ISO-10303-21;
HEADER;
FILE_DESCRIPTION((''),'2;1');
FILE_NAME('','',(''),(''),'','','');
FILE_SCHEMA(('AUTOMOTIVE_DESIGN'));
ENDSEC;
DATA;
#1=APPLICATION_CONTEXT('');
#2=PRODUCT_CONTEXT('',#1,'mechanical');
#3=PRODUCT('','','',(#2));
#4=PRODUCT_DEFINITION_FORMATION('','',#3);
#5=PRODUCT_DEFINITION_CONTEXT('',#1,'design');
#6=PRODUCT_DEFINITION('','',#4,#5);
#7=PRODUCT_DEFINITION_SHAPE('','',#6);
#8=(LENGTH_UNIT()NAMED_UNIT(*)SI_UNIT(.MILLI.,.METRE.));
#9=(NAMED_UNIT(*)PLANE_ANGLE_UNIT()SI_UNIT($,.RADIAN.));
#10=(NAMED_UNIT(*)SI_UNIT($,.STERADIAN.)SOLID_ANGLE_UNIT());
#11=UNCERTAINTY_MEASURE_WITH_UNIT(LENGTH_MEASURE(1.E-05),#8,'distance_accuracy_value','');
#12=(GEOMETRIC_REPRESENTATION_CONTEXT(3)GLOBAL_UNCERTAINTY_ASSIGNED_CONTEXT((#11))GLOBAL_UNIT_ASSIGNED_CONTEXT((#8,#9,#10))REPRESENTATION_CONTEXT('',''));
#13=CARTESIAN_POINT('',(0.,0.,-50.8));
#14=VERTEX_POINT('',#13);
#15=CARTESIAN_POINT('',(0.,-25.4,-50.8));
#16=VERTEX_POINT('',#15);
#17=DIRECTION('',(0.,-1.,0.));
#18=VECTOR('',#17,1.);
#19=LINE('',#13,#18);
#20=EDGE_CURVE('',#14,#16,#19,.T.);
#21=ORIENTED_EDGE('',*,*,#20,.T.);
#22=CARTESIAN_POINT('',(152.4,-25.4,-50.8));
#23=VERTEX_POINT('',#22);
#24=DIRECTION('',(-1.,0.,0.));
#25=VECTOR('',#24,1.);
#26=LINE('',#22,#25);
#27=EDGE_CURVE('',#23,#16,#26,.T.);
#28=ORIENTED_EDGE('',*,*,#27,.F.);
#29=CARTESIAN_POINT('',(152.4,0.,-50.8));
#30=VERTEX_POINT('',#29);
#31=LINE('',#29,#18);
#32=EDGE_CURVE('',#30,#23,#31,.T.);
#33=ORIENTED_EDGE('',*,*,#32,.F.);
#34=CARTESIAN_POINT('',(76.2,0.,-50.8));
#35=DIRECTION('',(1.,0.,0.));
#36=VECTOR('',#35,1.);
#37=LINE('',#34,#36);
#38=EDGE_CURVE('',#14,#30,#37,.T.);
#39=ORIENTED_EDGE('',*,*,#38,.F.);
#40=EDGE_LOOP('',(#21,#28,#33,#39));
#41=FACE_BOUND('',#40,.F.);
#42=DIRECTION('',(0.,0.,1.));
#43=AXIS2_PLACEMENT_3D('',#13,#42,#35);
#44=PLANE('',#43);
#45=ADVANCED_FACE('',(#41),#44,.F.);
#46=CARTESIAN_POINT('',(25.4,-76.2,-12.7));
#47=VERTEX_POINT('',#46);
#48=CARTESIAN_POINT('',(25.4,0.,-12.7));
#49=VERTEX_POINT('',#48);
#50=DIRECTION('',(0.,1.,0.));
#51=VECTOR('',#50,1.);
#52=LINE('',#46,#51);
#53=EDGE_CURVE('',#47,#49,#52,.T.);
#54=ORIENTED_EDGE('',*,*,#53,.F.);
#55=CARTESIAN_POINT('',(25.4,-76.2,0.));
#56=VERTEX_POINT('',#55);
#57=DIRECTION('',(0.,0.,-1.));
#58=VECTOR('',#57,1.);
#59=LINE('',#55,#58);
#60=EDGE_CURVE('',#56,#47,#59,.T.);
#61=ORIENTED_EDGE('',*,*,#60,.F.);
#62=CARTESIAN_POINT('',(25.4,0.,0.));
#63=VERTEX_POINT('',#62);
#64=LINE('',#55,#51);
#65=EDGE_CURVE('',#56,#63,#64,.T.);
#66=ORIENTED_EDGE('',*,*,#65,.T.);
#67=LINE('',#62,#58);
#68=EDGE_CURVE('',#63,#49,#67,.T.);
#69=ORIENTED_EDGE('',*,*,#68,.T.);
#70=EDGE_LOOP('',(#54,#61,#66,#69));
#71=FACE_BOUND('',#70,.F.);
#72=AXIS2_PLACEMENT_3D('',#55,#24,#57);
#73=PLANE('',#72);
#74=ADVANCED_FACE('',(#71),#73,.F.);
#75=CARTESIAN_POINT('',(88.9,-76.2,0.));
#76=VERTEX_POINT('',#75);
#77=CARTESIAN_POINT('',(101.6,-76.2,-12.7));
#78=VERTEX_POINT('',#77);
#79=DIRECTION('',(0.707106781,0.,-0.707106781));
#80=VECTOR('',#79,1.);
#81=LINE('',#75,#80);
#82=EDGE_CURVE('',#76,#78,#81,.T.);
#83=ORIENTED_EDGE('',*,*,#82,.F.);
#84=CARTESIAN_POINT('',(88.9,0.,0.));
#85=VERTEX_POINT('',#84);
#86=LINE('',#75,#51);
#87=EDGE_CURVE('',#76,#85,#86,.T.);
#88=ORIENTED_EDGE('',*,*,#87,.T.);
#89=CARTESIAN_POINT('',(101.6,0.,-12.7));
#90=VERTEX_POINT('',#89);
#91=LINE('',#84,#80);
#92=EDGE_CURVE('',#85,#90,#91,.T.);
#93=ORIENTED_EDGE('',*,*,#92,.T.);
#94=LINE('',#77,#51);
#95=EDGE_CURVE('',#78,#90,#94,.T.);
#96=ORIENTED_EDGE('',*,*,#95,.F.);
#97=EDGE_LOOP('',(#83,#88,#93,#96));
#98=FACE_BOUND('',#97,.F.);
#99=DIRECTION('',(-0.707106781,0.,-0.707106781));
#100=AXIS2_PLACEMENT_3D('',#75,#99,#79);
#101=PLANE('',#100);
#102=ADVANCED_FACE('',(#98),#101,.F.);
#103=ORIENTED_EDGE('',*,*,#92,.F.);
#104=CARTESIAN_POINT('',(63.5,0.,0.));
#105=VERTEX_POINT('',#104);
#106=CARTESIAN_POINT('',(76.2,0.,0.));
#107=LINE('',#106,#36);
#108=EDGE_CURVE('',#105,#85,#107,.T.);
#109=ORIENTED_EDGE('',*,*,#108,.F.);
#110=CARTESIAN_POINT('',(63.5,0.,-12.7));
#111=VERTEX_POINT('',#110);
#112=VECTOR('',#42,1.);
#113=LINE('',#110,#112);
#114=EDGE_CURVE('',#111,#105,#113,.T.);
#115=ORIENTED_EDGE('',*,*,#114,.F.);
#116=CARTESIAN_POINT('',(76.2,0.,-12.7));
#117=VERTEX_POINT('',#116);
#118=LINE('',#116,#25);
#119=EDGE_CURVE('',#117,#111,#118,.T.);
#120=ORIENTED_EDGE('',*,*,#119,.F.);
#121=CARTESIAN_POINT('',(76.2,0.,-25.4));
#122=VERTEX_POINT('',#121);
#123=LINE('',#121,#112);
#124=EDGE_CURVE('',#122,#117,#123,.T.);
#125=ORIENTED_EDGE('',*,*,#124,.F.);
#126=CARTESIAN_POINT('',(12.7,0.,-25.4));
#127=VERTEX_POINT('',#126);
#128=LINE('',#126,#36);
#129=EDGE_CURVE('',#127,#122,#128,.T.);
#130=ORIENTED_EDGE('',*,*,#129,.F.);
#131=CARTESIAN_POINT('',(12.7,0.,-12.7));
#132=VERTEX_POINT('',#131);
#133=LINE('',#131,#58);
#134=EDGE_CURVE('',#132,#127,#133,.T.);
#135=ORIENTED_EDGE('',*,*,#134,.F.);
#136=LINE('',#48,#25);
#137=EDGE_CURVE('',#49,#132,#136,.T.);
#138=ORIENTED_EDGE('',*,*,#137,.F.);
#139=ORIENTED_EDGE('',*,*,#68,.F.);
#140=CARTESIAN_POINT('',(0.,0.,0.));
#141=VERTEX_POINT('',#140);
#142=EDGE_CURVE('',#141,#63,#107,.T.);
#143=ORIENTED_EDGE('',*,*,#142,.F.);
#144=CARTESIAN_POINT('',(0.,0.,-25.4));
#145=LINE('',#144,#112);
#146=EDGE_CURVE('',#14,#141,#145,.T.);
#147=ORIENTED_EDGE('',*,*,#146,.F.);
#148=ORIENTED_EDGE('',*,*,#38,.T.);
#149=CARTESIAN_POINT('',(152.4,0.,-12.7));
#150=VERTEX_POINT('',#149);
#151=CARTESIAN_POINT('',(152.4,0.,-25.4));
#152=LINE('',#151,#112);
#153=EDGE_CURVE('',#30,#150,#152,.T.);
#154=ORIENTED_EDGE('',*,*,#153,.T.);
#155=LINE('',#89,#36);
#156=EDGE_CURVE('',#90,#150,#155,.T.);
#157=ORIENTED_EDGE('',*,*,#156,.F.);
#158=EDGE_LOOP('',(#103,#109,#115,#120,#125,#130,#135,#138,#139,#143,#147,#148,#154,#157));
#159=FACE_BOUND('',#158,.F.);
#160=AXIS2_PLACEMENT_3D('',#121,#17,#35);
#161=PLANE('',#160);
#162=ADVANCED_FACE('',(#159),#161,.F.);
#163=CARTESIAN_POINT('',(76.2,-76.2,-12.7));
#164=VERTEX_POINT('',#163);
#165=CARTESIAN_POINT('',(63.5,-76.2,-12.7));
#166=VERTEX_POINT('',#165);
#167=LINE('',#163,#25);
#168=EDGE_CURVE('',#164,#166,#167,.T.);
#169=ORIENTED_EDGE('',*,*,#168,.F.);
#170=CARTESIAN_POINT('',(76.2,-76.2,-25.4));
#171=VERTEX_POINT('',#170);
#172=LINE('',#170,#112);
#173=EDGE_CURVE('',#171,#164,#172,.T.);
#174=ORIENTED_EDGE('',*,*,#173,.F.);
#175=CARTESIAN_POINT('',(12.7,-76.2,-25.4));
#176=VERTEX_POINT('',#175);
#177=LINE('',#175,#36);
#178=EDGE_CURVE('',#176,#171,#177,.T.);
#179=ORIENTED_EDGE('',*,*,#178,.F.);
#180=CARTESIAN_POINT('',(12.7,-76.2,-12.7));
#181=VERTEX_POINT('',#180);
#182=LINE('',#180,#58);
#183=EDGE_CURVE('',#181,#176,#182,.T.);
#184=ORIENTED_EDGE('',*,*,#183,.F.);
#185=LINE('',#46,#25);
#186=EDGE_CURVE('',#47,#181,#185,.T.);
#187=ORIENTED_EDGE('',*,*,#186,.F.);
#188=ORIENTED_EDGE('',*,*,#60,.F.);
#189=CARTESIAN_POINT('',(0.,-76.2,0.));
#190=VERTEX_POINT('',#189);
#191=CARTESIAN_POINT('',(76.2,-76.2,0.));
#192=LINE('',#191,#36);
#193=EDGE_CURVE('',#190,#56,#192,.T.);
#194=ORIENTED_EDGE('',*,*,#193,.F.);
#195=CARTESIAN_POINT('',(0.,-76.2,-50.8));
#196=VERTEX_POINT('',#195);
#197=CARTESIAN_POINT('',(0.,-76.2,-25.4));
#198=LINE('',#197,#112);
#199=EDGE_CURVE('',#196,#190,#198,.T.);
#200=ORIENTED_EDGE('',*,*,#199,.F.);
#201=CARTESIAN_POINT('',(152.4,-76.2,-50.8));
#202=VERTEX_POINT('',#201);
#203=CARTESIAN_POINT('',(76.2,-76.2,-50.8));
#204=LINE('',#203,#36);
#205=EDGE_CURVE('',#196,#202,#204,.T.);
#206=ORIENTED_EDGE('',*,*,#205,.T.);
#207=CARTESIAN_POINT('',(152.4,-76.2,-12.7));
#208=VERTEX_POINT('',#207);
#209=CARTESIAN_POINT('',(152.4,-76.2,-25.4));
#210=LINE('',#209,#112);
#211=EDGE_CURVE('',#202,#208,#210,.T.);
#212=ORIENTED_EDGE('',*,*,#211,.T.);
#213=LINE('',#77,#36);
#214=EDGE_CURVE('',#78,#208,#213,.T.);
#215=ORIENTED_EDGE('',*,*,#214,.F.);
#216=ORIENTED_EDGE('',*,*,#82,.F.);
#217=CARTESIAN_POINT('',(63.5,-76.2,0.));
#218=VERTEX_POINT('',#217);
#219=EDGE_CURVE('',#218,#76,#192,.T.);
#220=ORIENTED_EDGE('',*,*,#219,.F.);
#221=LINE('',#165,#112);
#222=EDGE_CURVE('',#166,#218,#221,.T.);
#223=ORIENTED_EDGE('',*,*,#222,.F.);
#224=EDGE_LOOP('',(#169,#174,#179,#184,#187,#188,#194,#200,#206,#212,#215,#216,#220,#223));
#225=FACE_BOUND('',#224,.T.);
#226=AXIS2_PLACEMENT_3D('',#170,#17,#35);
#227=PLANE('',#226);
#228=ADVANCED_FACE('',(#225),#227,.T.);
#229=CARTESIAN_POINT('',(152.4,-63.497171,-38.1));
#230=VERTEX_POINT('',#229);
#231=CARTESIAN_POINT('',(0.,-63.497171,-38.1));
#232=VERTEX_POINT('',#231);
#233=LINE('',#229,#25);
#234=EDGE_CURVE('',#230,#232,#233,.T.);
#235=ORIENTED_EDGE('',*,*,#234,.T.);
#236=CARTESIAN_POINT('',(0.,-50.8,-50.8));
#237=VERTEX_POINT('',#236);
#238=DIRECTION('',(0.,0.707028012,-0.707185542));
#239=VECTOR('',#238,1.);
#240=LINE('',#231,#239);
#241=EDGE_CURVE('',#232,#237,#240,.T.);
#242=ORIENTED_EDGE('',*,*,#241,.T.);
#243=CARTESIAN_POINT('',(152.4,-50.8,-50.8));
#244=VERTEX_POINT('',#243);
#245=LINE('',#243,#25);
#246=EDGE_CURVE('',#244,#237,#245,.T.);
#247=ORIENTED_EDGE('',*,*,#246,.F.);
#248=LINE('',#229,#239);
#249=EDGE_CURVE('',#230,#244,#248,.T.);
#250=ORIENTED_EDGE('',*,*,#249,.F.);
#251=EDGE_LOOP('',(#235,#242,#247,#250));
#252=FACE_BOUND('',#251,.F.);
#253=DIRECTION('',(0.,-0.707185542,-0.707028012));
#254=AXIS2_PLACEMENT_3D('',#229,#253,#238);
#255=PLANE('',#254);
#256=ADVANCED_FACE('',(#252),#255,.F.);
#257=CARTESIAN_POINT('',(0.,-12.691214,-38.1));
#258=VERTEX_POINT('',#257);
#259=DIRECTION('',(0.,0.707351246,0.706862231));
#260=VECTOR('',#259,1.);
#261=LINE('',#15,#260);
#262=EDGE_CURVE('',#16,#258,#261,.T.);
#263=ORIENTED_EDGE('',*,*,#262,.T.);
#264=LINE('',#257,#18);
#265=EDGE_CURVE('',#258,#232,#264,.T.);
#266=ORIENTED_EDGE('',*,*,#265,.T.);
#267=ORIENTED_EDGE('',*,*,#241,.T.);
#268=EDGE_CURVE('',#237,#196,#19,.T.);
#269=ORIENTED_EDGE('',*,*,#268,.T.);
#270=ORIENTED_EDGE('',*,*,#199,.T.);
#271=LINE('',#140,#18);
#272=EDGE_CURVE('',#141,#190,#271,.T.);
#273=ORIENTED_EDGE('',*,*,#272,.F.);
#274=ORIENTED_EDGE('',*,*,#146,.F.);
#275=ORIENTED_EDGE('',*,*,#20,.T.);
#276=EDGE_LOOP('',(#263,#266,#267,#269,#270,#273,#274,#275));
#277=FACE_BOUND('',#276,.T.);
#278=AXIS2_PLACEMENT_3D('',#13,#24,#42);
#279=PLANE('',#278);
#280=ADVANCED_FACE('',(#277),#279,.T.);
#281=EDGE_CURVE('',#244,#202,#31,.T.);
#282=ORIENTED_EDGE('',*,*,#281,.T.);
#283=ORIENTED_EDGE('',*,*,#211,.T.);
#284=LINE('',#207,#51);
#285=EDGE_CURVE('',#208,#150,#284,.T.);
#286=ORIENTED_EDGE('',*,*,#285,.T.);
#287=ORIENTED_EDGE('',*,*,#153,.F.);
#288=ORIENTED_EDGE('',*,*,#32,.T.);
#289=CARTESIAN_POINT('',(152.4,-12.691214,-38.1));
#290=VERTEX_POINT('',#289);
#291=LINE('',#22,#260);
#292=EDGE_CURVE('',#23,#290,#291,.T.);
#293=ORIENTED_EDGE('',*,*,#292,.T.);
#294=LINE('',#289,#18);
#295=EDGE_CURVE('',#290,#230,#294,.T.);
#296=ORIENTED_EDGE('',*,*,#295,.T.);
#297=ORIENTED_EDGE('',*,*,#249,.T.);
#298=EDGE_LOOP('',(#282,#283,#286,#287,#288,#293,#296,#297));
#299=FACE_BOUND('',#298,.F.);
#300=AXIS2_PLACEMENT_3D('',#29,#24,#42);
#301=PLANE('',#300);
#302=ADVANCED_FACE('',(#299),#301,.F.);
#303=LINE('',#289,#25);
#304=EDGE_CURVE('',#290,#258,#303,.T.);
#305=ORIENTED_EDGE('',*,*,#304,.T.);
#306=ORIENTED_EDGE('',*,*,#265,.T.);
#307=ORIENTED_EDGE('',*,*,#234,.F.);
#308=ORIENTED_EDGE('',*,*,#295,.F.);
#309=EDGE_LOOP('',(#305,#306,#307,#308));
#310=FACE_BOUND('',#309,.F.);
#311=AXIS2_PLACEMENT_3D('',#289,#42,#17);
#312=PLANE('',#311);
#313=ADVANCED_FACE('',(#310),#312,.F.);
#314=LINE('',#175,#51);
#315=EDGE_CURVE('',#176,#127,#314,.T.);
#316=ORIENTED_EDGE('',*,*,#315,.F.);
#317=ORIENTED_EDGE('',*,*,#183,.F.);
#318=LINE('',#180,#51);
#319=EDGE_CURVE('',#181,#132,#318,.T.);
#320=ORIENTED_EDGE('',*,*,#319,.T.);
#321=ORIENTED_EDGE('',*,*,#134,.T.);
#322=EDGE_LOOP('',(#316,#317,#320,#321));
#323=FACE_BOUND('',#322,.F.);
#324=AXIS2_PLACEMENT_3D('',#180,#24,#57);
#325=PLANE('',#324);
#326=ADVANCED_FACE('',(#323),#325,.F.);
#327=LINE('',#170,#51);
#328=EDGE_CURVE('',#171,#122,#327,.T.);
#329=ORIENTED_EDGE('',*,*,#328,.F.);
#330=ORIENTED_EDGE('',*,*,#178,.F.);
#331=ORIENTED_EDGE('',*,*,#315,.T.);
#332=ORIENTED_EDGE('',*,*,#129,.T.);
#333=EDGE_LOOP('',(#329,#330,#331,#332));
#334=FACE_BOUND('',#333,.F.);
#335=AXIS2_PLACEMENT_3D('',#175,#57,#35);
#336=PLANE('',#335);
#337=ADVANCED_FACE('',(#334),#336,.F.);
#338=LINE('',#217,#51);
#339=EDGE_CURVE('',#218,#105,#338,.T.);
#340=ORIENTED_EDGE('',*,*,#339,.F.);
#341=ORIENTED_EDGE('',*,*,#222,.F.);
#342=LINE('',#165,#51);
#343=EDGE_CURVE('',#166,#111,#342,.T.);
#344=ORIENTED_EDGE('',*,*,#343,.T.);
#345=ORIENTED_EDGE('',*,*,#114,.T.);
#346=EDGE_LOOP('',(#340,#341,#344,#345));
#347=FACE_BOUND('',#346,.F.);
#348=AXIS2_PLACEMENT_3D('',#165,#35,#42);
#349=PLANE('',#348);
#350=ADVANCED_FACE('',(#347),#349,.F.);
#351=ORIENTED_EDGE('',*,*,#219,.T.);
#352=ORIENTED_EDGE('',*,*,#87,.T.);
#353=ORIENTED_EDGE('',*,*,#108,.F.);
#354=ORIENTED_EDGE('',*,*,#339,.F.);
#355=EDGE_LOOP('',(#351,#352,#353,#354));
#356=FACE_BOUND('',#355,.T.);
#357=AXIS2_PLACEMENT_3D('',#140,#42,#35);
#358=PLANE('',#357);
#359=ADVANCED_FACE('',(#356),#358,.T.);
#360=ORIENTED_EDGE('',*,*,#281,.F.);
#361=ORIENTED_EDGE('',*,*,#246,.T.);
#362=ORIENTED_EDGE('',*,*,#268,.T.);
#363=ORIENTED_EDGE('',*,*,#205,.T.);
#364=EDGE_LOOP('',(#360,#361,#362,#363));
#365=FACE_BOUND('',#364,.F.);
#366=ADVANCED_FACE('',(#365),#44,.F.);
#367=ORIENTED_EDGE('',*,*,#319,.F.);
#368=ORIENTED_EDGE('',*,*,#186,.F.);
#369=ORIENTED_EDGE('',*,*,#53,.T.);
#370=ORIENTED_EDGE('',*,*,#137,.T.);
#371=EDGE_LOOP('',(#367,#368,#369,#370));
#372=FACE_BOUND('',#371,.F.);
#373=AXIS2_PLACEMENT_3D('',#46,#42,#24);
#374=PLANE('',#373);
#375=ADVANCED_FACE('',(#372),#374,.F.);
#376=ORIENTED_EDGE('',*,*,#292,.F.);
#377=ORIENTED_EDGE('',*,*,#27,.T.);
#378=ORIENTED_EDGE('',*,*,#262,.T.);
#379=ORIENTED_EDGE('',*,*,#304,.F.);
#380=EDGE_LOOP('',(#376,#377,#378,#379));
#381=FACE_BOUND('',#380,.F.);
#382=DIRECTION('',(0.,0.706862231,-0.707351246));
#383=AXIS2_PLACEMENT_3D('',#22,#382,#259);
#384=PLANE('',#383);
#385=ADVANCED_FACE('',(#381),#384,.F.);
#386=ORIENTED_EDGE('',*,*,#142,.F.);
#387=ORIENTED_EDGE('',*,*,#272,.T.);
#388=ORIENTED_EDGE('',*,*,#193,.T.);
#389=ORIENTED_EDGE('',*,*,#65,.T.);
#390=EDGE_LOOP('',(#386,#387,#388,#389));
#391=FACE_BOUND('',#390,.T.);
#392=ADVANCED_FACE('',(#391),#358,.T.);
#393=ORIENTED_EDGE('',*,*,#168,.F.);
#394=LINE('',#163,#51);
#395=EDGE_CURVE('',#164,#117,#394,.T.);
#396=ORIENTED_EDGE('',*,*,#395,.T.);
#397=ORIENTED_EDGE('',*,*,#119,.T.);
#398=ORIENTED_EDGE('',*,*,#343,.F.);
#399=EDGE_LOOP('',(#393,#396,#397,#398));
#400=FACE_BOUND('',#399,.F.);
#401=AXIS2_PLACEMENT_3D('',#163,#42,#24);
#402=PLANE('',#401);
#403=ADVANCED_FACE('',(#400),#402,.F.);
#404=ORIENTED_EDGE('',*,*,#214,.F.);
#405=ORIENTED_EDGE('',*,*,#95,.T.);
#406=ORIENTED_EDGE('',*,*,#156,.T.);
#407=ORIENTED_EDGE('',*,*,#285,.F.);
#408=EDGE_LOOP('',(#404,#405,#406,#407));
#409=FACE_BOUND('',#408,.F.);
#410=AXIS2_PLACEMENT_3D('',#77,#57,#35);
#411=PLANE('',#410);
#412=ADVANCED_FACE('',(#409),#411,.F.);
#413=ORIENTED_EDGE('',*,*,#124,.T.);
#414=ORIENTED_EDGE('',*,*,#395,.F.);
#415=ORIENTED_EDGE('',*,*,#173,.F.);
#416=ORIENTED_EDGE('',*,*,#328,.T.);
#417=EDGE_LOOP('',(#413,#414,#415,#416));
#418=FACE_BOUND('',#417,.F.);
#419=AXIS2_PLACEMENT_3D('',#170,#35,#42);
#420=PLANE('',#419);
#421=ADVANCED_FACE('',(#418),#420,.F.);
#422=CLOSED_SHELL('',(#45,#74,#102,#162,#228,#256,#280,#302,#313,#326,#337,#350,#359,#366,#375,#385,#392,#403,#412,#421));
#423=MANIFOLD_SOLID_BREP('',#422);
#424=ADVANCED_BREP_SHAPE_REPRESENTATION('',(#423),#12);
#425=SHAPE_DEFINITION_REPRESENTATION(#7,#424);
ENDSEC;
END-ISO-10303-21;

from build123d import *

# Parameters (mm, degrees)
F0_W     = 152.4
F0_H     = 50.8
F1_DEPTH = 76.2
F3_DEPTH = 76.2
F5_DEPTH = 76.2
F7_DEPTH = 152.4


with BuildPart() as f1:
    # F0 (on Front) → F1 (new body)
    with BuildSketch(Plane.XZ):
        with Locations((76.2, -25.4)):
            Rectangle(F0_W, F0_H)
    extrude(amount=F1_DEPTH)

    # F2 (on face) → F3 (cut)
    with BuildSketch(Plane.XZ.offset(76.2)):
        Polygon((152.4, -12.7), (152.4, 0), (88.9, 0), (101.6, -12.7), align=None)
    extrude(amount=-F3_DEPTH, mode=Mode.SUBTRACT)

    # F4 (on face) → F5 (cut)
    with BuildSketch(Plane.XZ.offset(76.2)):
        Polygon((63.5, 0), (25.4, 0), (25.4, -12.7), (12.7, -12.7), (12.7, -25.4), (76.2, -25.4), (76.2, -12.7), (63.5, -12.7), align=None)
    extrude(amount=-F5_DEPTH, mode=Mode.SUBTRACT)

    # F6 (on face) → F7 (cut)
    with BuildSketch(Plane.YZ.offset(152.4)):
        Polygon((-63.497171, -38.1), (-50.8, -50.8), (-25.4, -50.8), (-12.691214, -38.1), (-25.4, -38.1), (-50.8, -38.1), align=None)
    extrude(amount=-F7_DEPTH, mode=Mode.SUBTRACT)


solid = f1.part
